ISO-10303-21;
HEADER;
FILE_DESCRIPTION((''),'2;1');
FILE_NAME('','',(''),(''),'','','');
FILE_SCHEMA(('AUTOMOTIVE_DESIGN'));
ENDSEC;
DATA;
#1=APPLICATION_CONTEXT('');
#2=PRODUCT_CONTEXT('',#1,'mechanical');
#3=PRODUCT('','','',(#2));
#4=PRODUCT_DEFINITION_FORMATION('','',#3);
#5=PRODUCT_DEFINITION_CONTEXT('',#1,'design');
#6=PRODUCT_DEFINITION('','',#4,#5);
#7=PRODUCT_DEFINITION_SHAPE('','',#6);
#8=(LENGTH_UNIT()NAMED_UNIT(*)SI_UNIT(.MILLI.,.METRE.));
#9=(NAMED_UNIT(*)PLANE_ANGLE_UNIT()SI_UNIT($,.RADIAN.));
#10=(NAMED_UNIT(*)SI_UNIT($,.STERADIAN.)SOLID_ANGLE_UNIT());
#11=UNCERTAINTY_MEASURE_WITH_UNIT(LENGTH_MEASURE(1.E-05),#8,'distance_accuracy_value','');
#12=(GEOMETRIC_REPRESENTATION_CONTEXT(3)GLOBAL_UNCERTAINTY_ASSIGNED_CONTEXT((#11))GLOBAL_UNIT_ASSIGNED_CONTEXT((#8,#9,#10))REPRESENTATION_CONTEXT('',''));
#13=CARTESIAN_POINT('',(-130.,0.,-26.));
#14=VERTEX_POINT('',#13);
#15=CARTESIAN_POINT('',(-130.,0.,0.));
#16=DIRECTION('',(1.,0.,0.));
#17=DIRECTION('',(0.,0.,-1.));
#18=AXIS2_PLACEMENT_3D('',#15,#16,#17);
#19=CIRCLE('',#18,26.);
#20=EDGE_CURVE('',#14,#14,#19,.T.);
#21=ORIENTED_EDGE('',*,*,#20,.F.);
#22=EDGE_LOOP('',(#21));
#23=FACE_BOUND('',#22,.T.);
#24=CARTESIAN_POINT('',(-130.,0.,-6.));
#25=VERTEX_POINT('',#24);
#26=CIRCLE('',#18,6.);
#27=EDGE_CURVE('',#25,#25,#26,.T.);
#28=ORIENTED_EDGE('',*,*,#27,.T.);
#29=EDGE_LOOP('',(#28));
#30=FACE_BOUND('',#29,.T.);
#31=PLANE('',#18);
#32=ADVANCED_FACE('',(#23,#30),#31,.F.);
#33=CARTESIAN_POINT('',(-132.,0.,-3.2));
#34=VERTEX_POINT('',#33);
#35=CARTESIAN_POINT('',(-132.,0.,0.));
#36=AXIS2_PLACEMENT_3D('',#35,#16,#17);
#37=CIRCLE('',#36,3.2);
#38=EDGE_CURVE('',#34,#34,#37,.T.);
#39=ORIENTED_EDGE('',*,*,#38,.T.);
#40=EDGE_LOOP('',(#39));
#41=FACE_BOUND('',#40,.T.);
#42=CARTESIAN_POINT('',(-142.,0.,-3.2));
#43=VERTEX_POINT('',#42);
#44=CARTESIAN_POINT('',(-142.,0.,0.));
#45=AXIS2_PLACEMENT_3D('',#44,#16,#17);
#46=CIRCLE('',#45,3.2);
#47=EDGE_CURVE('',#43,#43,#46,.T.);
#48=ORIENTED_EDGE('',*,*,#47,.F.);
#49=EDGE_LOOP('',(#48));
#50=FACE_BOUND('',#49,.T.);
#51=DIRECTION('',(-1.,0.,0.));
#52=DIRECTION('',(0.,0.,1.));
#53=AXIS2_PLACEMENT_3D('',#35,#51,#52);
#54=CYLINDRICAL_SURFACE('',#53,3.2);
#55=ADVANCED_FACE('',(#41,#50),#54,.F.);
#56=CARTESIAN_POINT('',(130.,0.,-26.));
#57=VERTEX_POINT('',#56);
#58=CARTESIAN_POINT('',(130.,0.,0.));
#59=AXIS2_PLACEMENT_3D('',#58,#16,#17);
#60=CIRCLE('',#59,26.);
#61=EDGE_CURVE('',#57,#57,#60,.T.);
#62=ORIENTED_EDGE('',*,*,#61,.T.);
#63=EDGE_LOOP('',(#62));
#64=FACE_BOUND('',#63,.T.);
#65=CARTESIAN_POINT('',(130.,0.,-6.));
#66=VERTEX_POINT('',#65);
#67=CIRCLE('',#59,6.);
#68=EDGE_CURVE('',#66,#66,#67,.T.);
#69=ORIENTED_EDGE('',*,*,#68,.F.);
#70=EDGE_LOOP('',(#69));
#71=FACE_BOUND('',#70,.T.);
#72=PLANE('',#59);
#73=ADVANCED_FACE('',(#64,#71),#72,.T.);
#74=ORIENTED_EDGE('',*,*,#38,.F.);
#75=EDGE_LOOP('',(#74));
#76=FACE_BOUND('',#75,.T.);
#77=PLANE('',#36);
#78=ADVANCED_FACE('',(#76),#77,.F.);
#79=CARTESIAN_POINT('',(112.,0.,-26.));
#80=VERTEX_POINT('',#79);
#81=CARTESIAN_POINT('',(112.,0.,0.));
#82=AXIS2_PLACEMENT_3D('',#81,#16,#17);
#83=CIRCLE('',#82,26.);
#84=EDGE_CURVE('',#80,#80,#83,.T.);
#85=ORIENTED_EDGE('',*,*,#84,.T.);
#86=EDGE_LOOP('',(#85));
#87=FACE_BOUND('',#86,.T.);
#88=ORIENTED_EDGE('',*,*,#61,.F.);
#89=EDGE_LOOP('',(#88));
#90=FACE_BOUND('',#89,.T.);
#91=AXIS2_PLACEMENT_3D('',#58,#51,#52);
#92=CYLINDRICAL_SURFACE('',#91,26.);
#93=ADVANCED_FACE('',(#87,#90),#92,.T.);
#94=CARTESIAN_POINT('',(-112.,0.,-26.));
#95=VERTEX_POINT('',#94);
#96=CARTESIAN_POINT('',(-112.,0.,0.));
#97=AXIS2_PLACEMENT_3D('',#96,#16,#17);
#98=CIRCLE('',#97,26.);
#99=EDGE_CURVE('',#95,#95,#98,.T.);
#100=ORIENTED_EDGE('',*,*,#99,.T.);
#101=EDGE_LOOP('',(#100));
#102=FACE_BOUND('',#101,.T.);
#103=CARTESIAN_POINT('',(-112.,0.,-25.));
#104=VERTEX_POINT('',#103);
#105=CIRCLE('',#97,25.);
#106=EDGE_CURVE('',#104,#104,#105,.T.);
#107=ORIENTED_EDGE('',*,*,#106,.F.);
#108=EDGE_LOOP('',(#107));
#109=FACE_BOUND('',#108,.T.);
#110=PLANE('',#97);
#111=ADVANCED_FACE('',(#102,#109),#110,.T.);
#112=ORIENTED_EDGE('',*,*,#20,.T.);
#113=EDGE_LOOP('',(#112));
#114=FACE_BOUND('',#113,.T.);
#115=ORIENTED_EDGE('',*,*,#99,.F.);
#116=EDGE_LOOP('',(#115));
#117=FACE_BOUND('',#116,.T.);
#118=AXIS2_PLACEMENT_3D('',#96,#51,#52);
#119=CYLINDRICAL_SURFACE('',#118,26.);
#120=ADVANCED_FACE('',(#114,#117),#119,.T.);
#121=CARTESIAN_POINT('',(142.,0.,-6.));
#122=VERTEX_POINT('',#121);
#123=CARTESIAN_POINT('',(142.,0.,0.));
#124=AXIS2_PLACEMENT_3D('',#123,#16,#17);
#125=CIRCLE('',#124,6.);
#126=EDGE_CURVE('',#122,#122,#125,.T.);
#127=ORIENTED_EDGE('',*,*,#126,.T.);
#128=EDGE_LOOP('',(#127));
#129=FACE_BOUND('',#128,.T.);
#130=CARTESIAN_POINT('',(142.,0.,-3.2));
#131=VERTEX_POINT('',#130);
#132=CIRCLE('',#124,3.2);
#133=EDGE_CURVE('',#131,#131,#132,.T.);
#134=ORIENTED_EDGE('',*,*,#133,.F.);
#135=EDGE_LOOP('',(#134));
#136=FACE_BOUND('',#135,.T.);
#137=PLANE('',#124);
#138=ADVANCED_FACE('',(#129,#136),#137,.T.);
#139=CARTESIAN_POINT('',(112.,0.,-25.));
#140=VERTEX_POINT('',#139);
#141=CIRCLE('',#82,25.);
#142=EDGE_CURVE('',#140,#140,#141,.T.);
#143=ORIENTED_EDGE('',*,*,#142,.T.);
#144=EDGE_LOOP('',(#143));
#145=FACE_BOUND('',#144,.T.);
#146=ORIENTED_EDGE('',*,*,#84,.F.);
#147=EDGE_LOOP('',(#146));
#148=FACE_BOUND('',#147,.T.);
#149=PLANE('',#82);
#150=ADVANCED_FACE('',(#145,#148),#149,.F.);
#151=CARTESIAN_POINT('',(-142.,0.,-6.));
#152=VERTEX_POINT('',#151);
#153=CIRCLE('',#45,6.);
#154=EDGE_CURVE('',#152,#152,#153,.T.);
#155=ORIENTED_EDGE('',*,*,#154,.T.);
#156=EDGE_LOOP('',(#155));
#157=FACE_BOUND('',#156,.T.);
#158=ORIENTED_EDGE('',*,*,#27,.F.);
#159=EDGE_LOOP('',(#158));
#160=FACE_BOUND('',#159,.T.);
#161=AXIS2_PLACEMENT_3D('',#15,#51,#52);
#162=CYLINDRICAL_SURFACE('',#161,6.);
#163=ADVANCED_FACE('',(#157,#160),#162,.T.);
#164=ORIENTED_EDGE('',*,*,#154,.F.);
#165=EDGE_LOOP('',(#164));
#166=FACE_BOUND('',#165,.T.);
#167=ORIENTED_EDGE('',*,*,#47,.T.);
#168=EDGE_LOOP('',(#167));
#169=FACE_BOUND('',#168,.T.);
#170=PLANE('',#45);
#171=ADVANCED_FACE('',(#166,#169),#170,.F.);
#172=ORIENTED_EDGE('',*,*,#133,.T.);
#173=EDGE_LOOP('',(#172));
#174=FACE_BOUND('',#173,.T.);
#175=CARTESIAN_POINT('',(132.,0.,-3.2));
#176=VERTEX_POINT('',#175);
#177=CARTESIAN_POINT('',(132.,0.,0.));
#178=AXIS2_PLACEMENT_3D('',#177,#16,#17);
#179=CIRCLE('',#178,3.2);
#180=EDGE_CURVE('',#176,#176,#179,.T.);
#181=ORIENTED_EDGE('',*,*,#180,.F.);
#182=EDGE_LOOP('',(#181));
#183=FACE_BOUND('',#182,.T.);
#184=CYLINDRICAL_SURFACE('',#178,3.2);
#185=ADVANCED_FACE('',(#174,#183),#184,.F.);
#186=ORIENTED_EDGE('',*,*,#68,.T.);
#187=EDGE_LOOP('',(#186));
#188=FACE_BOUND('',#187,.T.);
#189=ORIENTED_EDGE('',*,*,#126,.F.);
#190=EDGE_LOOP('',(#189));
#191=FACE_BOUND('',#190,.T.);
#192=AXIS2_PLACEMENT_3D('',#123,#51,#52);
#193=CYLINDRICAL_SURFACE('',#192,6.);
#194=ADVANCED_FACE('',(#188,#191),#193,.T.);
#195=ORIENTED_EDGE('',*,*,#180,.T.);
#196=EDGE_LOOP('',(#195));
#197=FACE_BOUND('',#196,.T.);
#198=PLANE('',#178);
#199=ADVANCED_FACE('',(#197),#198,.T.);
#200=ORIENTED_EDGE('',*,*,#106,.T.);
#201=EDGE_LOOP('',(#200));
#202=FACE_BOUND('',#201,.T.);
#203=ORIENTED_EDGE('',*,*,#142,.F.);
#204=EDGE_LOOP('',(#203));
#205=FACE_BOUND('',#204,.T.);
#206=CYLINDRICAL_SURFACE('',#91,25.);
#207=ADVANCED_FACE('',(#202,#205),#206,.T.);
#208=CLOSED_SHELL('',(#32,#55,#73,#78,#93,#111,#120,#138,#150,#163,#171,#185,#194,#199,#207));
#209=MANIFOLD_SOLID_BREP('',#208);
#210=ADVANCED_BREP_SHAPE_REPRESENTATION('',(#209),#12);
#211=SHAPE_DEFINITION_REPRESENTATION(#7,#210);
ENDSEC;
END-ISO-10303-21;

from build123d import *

# Parameters (mm, degrees)
BODY_START          = -130
SKETCH1_R           = 25
BODY_DEPTH          = 260
END_CAP_IN_START    = -130
SKETCH2_R           = 26
END_CAP_IN_DEPTH    = 18
END_CAP_OUT_START   = 112
SKETCH3_R           = 26
END_CAP_OUT_DEPTH   = 18
INLET_PORT_START    = -142
SKETCH4_R           = 6
INLET_PORT_DEPTH    = 12
INLET_SOCKET_START  = -142
SKETCH5_R           = 3.2
INLET_SOCKET_DEPTH  = 10
OUTLET_PORT_START   = 130
SKETCH6_R           = 6
OUTLET_PORT_DEPTH   = 12
OUTLET_SOCKET_START = 132
SKETCH7_R           = 3.2
OUTLET_SOCKET_DEPTH = 10


with BuildPart() as part:
    # Sketch1 → Body (new body)
    with BuildSketch(Plane(origin=(0, 0, 0), x_dir=(0, 0, -1), z_dir=(1, 0, 0)).offset(BODY_START)):
        Circle(SKETCH1_R)
    extrude(amount=BODY_DEPTH)

    # Sketch2 → End_Cap_In (add)
    with BuildSketch(Plane(origin=(0, 0, 0), x_dir=(0, 0, -1), z_dir=(1, 0, 0)).offset(END_CAP_IN_START)):
        Circle(SKETCH2_R)
    extrude(amount=END_CAP_IN_DEPTH)

    # Sketch3 → End_Cap_Out (add)
    with BuildSketch(Plane(origin=(0, 0, 0), x_dir=(0, 0, -1), z_dir=(1, 0, 0)).offset(END_CAP_OUT_START)):
        Circle(SKETCH3_R)
    extrude(amount=END_CAP_OUT_DEPTH)

    # Sketch4 → Inlet_Port (add)
    with BuildSketch(Plane(origin=(0, 0, 0), x_dir=(0, 0, -1), z_dir=(1, 0, 0)).offset(INLET_PORT_START)):
        Circle(SKETCH4_R)
    extrude(amount=INLET_PORT_DEPTH)

    # Sketch5 → Inlet_Socket (cut)
    with BuildSketch(Plane(origin=(0, 0, 0), x_dir=(0, 0, -1), z_dir=(1, 0, 0)).offset(INLET_SOCKET_START)):
        Circle(SKETCH5_R)
    extrude(amount=INLET_SOCKET_DEPTH, mode=Mode.SUBTRACT)

    # Sketch6 → Outlet_Port (add)
    with BuildSketch(Plane(origin=(0, 0, 0), x_dir=(0, 0, -1), z_dir=(1, 0, 0)).offset(OUTLET_PORT_START)):
        Circle(SKETCH6_R)
    extrude(amount=OUTLET_PORT_DEPTH)

    # Sketch7 → Outlet_Socket (cut)
    with BuildSketch(Plane(origin=(0, 0, 0), x_dir=(0, 0, -1), z_dir=(1, 0, 0)).offset(OUTLET_SOCKET_START)):
        Circle(SKETCH7_R)
    extrude(amount=OUTLET_SOCKET_DEPTH, mode=Mode.SUBTRACT)


solid = part.part
